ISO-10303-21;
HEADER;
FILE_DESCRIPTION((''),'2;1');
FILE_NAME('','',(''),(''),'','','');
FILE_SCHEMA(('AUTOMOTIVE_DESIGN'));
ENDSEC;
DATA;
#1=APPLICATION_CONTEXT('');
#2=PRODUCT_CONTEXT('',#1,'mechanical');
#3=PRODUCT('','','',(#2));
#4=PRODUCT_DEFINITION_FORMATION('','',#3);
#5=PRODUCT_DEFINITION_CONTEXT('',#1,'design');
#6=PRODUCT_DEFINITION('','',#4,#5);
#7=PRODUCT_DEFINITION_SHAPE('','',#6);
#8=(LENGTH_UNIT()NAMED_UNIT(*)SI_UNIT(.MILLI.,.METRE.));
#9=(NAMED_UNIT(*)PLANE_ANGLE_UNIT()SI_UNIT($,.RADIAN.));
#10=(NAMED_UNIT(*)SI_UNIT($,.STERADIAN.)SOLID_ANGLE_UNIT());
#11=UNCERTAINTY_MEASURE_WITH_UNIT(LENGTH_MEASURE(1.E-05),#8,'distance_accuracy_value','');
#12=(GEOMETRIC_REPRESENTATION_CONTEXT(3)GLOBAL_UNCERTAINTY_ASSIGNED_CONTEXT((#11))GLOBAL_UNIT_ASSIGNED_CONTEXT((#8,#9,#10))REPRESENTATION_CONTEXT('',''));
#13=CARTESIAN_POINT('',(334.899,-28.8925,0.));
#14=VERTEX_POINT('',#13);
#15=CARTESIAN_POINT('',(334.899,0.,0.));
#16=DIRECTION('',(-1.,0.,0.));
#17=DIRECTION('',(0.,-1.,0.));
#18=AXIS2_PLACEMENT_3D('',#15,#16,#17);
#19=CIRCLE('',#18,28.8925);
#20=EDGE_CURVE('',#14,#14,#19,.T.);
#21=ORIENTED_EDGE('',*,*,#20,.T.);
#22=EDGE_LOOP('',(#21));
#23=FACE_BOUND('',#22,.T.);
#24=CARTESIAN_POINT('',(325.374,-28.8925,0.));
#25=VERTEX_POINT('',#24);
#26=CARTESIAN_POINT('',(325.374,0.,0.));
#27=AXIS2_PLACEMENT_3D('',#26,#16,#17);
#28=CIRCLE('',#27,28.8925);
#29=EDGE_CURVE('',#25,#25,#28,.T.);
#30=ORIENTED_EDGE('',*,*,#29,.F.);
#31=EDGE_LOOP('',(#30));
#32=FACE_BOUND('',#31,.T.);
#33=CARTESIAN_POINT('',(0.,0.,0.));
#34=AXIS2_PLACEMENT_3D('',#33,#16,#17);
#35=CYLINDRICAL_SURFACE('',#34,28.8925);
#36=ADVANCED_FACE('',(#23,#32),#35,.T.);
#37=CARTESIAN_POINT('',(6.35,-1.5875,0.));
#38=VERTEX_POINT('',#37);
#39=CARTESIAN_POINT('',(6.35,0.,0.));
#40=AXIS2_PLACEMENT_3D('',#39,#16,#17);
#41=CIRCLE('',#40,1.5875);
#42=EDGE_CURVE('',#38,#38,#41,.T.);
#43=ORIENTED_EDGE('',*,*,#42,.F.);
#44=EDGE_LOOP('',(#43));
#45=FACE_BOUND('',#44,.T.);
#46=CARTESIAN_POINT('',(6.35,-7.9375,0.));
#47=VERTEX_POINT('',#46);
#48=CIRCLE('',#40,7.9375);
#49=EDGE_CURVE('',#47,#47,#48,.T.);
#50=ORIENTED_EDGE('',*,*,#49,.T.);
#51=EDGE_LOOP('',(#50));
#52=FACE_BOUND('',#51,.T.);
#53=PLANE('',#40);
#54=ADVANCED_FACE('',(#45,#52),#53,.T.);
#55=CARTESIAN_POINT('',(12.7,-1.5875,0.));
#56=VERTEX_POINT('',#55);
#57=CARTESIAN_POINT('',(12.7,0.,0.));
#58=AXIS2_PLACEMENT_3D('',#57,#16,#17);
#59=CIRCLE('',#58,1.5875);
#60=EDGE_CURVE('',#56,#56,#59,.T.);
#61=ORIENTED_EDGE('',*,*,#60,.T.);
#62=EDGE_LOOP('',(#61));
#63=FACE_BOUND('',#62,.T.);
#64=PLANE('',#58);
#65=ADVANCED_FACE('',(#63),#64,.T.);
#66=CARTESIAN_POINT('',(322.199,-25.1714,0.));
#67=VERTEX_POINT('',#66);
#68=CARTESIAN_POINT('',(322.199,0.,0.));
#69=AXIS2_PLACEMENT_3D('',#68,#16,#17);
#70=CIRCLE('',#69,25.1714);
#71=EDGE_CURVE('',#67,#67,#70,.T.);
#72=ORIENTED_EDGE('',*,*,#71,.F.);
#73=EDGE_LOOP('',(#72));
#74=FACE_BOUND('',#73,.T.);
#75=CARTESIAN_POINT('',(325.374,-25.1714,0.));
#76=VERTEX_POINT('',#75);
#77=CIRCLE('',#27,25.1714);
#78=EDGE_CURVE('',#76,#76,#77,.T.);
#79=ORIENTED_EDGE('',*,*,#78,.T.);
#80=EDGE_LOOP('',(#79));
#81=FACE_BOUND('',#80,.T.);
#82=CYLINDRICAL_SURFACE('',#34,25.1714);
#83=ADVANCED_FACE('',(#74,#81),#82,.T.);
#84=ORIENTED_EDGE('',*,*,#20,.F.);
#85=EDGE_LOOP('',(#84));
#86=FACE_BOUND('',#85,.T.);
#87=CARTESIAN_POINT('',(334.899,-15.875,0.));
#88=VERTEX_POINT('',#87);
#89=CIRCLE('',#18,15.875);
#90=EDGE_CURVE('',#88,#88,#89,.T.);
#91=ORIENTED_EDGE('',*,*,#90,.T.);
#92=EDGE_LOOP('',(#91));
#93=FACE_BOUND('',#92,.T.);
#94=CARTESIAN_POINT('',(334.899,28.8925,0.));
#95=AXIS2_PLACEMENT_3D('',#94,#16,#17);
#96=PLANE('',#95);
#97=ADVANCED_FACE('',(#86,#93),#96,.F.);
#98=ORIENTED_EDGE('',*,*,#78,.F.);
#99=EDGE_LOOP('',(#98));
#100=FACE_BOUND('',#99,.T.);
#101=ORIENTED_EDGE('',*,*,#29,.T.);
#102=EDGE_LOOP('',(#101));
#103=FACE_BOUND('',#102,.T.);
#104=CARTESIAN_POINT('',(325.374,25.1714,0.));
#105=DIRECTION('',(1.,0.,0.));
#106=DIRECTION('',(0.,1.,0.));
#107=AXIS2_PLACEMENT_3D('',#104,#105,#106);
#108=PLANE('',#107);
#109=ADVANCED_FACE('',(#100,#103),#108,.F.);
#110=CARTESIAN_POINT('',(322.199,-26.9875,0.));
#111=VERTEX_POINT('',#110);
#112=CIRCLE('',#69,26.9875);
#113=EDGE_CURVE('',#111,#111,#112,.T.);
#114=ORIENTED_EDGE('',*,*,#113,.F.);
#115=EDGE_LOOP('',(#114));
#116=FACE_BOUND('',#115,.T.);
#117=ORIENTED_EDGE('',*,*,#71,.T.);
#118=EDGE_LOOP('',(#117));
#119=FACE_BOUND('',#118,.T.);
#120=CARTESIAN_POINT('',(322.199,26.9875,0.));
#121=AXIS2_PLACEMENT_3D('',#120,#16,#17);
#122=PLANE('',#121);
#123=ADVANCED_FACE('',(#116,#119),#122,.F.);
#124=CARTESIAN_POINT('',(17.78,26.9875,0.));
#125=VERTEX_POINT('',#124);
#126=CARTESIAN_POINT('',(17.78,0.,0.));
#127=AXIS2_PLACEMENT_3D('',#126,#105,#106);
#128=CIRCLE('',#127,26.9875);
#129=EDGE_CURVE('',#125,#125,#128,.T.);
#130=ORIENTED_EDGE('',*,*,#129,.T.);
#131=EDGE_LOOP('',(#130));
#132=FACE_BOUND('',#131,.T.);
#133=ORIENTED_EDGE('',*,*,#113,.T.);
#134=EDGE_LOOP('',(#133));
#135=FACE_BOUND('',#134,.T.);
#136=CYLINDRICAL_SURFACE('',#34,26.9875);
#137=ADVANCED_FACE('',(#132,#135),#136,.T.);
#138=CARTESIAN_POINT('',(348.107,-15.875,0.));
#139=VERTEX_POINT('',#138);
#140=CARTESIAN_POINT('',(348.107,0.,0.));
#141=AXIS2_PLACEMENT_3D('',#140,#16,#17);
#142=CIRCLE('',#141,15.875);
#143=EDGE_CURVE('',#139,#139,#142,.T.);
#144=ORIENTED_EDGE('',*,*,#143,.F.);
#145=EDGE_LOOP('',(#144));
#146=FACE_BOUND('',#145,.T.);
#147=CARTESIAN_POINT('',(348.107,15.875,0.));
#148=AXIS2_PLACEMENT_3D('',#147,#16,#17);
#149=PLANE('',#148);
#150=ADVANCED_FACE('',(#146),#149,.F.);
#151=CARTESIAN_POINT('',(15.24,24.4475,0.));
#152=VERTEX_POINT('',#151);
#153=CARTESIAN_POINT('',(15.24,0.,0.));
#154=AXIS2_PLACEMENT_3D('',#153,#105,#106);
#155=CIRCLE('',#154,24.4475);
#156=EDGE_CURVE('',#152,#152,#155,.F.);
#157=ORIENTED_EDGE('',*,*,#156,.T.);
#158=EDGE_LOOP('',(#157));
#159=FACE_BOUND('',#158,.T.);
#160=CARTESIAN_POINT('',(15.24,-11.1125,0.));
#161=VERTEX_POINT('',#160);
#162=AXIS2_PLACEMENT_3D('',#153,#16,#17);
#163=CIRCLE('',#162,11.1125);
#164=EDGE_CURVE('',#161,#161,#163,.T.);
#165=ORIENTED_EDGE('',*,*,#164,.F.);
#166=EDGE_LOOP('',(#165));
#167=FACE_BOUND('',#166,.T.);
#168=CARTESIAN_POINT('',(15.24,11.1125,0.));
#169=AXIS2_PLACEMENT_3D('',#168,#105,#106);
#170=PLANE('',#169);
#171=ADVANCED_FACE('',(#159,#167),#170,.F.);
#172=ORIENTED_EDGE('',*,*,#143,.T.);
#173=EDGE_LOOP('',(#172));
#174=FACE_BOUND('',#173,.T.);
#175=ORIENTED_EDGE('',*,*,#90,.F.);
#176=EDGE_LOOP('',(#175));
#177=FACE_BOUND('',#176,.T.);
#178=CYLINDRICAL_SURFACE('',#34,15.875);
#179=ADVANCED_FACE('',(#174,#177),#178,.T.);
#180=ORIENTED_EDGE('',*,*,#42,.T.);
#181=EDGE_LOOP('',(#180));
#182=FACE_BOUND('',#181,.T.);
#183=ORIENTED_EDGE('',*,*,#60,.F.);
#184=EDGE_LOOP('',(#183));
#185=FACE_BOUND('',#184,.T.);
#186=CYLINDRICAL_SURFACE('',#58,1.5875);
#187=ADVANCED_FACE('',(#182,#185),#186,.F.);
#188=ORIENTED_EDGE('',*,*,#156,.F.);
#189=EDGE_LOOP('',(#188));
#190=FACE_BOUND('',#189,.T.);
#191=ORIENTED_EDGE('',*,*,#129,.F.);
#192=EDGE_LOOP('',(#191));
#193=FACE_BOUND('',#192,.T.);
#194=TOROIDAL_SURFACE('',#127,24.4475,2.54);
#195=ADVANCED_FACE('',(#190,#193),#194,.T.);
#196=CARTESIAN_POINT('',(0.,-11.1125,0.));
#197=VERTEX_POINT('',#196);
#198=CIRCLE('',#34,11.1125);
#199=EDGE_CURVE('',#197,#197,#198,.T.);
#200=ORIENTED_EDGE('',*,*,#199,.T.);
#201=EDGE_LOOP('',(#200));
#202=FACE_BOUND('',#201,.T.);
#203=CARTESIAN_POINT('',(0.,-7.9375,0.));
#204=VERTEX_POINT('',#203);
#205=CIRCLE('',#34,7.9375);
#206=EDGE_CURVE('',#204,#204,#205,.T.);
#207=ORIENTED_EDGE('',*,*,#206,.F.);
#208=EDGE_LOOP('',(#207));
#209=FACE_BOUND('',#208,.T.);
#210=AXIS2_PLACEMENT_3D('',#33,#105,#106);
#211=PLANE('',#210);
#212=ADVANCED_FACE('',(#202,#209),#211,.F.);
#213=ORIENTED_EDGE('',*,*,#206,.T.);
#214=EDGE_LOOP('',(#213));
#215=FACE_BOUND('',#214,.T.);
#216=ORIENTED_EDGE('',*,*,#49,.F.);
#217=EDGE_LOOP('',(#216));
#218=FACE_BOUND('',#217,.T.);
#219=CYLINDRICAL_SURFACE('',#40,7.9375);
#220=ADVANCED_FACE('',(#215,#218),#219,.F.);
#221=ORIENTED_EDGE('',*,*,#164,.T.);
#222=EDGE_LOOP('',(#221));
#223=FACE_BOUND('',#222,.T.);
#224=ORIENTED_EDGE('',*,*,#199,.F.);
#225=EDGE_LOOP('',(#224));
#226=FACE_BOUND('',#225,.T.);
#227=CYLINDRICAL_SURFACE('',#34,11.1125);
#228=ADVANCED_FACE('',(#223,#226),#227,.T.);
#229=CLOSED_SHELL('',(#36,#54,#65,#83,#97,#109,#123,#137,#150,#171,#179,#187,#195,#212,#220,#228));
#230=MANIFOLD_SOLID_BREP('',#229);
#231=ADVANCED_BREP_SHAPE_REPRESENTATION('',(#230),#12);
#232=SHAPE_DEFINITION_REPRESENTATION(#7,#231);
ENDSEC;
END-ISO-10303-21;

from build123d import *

# Parameters (mm, degrees)
FILLET1_R          = 2.54
SKETCH2_R          = 7.9375
CUT_EXTRUDE1_DEPTH = 6.35
SKETCH3_R          = 1.5875
CUT_EXTRUDE2_DEPTH = 6.35


with BuildPart() as part:
    # Sketch1 → Revolve1 (revolve)
    with BuildSketch(Plane.XY):
        Polygon((0, 0), (0, 11.1125), (15.24, 11.1125), (15.24, 26.9875), (322.199, 26.9875), (322.199, 25.1714), (325.374, 25.1714), (325.374, 28.8925), (334.899, 28.8925), (334.899, 15.875), (348.107, 15.875), (348.107, 0), align=None)
    revolve(axis=Axis((0, 0, 0), (1, 0, 0)))

    # Fillet1
    fillet1_edges = [part.edges().sort_by_distance(p)[0] for p in [
        (15.24, -26.9875, 0),
    ]]
    fillet(fillet1_edges, radius=FILLET1_R)

    # Sketch2 → Cut-Extrude1 (cut)
    with BuildSketch(Plane.ZY):
        Circle(SKETCH2_R)
    extrude(amount=-CUT_EXTRUDE1_DEPTH, mode=Mode.SUBTRACT)

    # Sketch3 → Cut-Extrude2 (cut)
    with BuildSketch(Plane.ZY.offset(-6.35)):
        Circle(SKETCH3_R)
    extrude(amount=-CUT_EXTRUDE2_DEPTH, mode=Mode.SUBTRACT)


solid = part.part
